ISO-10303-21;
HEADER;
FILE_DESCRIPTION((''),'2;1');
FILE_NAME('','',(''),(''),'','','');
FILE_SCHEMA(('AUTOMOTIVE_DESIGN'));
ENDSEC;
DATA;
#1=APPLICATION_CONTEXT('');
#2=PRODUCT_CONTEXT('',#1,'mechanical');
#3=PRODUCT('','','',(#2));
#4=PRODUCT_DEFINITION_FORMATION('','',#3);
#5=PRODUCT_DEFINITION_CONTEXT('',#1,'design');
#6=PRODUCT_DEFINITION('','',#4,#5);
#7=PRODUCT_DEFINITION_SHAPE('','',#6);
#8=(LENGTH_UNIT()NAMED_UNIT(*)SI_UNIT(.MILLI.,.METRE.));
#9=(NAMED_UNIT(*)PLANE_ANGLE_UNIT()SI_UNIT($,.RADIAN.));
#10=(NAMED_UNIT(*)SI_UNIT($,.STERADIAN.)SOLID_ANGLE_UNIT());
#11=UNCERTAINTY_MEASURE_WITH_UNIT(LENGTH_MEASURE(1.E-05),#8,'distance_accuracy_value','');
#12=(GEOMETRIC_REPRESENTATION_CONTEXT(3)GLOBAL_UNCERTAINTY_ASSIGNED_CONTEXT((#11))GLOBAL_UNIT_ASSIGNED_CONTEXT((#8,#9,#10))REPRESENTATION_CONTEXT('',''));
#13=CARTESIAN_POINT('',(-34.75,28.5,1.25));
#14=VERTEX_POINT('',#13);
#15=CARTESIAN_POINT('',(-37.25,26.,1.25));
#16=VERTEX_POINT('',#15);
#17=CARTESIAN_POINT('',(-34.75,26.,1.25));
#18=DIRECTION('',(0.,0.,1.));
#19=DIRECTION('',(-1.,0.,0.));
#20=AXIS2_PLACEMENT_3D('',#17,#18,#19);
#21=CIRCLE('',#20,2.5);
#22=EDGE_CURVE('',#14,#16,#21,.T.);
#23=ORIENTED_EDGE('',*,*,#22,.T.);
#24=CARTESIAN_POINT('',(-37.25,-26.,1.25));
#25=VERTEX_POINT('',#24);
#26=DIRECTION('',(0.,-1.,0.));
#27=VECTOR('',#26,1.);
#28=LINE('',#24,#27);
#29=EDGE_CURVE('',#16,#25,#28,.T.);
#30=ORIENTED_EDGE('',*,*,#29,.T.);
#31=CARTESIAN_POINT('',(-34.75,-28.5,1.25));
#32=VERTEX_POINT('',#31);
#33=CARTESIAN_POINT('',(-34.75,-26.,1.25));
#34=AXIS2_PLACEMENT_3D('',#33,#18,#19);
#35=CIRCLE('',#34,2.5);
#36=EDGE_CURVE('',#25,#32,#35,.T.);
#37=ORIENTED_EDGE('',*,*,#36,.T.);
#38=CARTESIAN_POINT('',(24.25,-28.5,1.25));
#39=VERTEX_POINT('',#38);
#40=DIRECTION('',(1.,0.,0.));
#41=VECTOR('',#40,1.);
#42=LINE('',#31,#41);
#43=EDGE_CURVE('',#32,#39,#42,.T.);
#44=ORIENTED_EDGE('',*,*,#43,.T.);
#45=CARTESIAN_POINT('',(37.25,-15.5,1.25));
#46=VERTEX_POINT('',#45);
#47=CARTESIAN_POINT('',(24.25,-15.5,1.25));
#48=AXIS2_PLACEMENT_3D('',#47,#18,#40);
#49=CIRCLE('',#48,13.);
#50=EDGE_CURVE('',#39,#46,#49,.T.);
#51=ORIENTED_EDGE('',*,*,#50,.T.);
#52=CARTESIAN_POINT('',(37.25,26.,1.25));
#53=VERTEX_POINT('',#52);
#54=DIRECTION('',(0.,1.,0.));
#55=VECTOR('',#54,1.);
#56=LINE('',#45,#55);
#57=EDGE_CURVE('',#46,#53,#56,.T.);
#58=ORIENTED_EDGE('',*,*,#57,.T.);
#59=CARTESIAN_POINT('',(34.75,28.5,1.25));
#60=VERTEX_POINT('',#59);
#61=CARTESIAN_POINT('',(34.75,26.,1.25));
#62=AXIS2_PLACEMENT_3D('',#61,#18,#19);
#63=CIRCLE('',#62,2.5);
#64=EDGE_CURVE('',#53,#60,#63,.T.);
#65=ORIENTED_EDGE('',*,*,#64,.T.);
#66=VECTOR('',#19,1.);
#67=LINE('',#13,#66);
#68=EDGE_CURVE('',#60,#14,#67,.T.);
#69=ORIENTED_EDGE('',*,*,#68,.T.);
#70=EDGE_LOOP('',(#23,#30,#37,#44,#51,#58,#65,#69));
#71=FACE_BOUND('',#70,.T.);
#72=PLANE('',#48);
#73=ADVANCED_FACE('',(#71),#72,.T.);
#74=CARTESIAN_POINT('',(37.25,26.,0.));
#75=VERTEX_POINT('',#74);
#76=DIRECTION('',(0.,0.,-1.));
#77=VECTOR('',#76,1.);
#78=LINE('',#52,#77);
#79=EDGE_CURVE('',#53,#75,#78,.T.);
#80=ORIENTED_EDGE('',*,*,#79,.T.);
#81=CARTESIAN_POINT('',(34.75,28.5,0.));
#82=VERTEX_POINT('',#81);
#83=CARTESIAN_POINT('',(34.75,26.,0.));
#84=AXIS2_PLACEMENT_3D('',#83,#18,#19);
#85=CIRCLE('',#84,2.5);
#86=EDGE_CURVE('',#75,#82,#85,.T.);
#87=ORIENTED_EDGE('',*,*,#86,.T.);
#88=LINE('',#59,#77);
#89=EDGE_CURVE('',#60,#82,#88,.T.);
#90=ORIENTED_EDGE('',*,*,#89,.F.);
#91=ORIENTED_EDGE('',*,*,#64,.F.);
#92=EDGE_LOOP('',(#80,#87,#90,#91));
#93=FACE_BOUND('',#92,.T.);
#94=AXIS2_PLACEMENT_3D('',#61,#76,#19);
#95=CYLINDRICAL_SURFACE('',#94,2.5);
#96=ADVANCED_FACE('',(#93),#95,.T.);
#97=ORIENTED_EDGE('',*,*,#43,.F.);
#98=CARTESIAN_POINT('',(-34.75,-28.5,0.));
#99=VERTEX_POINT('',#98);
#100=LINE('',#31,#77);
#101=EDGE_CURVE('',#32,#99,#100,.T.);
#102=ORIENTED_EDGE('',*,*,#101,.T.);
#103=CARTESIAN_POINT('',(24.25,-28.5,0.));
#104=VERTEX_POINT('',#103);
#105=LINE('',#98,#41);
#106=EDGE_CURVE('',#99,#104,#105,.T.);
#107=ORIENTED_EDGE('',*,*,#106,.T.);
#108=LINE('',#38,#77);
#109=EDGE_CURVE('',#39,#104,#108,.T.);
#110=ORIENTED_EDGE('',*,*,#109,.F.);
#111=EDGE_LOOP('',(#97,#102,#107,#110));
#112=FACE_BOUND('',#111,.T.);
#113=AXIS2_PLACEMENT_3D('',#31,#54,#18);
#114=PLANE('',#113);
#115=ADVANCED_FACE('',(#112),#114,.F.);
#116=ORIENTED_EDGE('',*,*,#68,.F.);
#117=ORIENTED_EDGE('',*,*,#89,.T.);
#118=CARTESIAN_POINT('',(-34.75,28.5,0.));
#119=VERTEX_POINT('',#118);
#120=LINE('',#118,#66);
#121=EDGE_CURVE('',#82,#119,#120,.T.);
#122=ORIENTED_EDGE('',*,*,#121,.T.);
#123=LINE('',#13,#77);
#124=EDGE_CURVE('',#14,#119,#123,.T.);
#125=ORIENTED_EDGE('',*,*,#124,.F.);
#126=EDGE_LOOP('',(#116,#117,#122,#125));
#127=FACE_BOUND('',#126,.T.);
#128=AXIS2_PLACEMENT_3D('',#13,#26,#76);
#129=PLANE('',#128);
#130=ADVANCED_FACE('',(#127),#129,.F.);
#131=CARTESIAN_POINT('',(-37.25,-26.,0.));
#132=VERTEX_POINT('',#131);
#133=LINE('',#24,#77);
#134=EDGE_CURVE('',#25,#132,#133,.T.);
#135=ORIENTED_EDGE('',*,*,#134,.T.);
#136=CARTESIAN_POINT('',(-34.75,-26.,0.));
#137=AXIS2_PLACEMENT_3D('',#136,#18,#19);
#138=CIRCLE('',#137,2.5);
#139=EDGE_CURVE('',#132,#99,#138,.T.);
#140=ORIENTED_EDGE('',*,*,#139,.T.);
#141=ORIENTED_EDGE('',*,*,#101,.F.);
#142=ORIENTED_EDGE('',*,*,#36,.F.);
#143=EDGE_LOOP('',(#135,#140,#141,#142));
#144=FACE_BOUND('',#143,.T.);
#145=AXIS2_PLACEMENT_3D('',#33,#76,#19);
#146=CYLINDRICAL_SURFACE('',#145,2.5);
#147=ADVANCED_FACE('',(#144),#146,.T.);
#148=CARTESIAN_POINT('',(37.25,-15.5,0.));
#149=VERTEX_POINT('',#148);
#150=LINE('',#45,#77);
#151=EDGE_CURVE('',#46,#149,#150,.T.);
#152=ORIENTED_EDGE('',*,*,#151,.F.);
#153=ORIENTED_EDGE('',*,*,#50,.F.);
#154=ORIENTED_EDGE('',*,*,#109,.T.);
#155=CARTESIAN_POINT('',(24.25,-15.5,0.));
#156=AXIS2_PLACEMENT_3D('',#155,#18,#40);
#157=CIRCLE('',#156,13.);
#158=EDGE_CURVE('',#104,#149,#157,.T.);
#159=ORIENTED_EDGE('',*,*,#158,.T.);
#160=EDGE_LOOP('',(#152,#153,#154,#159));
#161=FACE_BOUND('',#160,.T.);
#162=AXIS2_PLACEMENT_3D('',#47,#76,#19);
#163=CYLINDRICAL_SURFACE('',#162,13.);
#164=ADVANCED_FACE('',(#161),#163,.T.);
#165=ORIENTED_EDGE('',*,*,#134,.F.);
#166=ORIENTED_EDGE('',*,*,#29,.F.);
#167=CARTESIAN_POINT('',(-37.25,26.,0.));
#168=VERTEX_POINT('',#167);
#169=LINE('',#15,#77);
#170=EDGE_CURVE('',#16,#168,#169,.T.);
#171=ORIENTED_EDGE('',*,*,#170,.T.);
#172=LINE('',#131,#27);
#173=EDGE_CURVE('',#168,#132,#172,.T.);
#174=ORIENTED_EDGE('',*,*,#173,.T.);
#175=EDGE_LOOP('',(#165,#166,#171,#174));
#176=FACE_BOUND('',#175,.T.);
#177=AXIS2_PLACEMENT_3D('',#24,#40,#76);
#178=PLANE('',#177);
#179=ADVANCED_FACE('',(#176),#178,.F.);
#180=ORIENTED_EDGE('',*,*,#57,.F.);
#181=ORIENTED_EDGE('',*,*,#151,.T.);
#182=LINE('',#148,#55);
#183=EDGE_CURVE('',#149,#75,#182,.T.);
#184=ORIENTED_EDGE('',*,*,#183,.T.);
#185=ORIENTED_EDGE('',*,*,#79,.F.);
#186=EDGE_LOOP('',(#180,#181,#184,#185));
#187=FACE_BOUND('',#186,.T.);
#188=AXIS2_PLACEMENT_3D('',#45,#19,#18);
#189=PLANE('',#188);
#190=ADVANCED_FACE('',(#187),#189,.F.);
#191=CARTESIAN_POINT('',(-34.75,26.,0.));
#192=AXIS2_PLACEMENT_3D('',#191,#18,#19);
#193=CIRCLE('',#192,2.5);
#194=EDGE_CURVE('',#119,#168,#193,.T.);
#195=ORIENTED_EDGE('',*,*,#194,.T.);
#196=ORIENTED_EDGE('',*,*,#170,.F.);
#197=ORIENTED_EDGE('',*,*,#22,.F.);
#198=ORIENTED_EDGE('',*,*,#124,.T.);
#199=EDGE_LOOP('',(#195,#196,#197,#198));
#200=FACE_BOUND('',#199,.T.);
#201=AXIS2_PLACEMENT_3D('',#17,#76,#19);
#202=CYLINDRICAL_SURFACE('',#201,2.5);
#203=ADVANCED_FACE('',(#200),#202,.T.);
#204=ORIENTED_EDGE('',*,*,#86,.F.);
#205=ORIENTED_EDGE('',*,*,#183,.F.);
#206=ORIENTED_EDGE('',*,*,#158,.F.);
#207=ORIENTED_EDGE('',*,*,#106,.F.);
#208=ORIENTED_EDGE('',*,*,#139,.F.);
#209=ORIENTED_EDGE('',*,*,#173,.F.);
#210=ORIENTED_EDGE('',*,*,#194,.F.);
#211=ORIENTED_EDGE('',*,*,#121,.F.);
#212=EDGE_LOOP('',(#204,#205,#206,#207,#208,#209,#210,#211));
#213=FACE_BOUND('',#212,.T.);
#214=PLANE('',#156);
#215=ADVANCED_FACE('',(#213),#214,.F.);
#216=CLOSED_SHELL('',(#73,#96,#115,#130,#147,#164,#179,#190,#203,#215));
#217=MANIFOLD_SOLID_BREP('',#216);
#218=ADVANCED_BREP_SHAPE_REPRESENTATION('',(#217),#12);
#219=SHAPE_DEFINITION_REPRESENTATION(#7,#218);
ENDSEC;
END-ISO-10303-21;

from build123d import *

# Parameters (mm, degrees)
BOSS_EXTRUDE1_DEPTH = 1.25


with BuildPart() as part:
    # Sketch1 → Boss-Extrude1 (new body)
    with BuildSketch(Plane.XY):
        with BuildLine():
            Line((-34.75, -28.5), (24.25, -28.5))
            ThreePointArc((24.25, -28.5), (33.442388155, -24.692388155), (37.25, -15.5))
            Line((37.25, -15.5), (37.25, 26))
            ThreePointArc((37.25, 26), (36.517766953, 27.767766953), (34.75, 28.5))
            Line((34.75, 28.5), (-34.75, 28.5))
            ThreePointArc((-34.75, 28.5), (-36.517766953, 27.767766953), (-37.25, 26))
            Line((-37.25, 26), (-37.25, -26))
            ThreePointArc((-37.25, -26), (-36.517766953, -27.767766953), (-34.75, -28.5))
        make_face()
    extrude(amount=BOSS_EXTRUDE1_DEPTH)


solid = part.part
